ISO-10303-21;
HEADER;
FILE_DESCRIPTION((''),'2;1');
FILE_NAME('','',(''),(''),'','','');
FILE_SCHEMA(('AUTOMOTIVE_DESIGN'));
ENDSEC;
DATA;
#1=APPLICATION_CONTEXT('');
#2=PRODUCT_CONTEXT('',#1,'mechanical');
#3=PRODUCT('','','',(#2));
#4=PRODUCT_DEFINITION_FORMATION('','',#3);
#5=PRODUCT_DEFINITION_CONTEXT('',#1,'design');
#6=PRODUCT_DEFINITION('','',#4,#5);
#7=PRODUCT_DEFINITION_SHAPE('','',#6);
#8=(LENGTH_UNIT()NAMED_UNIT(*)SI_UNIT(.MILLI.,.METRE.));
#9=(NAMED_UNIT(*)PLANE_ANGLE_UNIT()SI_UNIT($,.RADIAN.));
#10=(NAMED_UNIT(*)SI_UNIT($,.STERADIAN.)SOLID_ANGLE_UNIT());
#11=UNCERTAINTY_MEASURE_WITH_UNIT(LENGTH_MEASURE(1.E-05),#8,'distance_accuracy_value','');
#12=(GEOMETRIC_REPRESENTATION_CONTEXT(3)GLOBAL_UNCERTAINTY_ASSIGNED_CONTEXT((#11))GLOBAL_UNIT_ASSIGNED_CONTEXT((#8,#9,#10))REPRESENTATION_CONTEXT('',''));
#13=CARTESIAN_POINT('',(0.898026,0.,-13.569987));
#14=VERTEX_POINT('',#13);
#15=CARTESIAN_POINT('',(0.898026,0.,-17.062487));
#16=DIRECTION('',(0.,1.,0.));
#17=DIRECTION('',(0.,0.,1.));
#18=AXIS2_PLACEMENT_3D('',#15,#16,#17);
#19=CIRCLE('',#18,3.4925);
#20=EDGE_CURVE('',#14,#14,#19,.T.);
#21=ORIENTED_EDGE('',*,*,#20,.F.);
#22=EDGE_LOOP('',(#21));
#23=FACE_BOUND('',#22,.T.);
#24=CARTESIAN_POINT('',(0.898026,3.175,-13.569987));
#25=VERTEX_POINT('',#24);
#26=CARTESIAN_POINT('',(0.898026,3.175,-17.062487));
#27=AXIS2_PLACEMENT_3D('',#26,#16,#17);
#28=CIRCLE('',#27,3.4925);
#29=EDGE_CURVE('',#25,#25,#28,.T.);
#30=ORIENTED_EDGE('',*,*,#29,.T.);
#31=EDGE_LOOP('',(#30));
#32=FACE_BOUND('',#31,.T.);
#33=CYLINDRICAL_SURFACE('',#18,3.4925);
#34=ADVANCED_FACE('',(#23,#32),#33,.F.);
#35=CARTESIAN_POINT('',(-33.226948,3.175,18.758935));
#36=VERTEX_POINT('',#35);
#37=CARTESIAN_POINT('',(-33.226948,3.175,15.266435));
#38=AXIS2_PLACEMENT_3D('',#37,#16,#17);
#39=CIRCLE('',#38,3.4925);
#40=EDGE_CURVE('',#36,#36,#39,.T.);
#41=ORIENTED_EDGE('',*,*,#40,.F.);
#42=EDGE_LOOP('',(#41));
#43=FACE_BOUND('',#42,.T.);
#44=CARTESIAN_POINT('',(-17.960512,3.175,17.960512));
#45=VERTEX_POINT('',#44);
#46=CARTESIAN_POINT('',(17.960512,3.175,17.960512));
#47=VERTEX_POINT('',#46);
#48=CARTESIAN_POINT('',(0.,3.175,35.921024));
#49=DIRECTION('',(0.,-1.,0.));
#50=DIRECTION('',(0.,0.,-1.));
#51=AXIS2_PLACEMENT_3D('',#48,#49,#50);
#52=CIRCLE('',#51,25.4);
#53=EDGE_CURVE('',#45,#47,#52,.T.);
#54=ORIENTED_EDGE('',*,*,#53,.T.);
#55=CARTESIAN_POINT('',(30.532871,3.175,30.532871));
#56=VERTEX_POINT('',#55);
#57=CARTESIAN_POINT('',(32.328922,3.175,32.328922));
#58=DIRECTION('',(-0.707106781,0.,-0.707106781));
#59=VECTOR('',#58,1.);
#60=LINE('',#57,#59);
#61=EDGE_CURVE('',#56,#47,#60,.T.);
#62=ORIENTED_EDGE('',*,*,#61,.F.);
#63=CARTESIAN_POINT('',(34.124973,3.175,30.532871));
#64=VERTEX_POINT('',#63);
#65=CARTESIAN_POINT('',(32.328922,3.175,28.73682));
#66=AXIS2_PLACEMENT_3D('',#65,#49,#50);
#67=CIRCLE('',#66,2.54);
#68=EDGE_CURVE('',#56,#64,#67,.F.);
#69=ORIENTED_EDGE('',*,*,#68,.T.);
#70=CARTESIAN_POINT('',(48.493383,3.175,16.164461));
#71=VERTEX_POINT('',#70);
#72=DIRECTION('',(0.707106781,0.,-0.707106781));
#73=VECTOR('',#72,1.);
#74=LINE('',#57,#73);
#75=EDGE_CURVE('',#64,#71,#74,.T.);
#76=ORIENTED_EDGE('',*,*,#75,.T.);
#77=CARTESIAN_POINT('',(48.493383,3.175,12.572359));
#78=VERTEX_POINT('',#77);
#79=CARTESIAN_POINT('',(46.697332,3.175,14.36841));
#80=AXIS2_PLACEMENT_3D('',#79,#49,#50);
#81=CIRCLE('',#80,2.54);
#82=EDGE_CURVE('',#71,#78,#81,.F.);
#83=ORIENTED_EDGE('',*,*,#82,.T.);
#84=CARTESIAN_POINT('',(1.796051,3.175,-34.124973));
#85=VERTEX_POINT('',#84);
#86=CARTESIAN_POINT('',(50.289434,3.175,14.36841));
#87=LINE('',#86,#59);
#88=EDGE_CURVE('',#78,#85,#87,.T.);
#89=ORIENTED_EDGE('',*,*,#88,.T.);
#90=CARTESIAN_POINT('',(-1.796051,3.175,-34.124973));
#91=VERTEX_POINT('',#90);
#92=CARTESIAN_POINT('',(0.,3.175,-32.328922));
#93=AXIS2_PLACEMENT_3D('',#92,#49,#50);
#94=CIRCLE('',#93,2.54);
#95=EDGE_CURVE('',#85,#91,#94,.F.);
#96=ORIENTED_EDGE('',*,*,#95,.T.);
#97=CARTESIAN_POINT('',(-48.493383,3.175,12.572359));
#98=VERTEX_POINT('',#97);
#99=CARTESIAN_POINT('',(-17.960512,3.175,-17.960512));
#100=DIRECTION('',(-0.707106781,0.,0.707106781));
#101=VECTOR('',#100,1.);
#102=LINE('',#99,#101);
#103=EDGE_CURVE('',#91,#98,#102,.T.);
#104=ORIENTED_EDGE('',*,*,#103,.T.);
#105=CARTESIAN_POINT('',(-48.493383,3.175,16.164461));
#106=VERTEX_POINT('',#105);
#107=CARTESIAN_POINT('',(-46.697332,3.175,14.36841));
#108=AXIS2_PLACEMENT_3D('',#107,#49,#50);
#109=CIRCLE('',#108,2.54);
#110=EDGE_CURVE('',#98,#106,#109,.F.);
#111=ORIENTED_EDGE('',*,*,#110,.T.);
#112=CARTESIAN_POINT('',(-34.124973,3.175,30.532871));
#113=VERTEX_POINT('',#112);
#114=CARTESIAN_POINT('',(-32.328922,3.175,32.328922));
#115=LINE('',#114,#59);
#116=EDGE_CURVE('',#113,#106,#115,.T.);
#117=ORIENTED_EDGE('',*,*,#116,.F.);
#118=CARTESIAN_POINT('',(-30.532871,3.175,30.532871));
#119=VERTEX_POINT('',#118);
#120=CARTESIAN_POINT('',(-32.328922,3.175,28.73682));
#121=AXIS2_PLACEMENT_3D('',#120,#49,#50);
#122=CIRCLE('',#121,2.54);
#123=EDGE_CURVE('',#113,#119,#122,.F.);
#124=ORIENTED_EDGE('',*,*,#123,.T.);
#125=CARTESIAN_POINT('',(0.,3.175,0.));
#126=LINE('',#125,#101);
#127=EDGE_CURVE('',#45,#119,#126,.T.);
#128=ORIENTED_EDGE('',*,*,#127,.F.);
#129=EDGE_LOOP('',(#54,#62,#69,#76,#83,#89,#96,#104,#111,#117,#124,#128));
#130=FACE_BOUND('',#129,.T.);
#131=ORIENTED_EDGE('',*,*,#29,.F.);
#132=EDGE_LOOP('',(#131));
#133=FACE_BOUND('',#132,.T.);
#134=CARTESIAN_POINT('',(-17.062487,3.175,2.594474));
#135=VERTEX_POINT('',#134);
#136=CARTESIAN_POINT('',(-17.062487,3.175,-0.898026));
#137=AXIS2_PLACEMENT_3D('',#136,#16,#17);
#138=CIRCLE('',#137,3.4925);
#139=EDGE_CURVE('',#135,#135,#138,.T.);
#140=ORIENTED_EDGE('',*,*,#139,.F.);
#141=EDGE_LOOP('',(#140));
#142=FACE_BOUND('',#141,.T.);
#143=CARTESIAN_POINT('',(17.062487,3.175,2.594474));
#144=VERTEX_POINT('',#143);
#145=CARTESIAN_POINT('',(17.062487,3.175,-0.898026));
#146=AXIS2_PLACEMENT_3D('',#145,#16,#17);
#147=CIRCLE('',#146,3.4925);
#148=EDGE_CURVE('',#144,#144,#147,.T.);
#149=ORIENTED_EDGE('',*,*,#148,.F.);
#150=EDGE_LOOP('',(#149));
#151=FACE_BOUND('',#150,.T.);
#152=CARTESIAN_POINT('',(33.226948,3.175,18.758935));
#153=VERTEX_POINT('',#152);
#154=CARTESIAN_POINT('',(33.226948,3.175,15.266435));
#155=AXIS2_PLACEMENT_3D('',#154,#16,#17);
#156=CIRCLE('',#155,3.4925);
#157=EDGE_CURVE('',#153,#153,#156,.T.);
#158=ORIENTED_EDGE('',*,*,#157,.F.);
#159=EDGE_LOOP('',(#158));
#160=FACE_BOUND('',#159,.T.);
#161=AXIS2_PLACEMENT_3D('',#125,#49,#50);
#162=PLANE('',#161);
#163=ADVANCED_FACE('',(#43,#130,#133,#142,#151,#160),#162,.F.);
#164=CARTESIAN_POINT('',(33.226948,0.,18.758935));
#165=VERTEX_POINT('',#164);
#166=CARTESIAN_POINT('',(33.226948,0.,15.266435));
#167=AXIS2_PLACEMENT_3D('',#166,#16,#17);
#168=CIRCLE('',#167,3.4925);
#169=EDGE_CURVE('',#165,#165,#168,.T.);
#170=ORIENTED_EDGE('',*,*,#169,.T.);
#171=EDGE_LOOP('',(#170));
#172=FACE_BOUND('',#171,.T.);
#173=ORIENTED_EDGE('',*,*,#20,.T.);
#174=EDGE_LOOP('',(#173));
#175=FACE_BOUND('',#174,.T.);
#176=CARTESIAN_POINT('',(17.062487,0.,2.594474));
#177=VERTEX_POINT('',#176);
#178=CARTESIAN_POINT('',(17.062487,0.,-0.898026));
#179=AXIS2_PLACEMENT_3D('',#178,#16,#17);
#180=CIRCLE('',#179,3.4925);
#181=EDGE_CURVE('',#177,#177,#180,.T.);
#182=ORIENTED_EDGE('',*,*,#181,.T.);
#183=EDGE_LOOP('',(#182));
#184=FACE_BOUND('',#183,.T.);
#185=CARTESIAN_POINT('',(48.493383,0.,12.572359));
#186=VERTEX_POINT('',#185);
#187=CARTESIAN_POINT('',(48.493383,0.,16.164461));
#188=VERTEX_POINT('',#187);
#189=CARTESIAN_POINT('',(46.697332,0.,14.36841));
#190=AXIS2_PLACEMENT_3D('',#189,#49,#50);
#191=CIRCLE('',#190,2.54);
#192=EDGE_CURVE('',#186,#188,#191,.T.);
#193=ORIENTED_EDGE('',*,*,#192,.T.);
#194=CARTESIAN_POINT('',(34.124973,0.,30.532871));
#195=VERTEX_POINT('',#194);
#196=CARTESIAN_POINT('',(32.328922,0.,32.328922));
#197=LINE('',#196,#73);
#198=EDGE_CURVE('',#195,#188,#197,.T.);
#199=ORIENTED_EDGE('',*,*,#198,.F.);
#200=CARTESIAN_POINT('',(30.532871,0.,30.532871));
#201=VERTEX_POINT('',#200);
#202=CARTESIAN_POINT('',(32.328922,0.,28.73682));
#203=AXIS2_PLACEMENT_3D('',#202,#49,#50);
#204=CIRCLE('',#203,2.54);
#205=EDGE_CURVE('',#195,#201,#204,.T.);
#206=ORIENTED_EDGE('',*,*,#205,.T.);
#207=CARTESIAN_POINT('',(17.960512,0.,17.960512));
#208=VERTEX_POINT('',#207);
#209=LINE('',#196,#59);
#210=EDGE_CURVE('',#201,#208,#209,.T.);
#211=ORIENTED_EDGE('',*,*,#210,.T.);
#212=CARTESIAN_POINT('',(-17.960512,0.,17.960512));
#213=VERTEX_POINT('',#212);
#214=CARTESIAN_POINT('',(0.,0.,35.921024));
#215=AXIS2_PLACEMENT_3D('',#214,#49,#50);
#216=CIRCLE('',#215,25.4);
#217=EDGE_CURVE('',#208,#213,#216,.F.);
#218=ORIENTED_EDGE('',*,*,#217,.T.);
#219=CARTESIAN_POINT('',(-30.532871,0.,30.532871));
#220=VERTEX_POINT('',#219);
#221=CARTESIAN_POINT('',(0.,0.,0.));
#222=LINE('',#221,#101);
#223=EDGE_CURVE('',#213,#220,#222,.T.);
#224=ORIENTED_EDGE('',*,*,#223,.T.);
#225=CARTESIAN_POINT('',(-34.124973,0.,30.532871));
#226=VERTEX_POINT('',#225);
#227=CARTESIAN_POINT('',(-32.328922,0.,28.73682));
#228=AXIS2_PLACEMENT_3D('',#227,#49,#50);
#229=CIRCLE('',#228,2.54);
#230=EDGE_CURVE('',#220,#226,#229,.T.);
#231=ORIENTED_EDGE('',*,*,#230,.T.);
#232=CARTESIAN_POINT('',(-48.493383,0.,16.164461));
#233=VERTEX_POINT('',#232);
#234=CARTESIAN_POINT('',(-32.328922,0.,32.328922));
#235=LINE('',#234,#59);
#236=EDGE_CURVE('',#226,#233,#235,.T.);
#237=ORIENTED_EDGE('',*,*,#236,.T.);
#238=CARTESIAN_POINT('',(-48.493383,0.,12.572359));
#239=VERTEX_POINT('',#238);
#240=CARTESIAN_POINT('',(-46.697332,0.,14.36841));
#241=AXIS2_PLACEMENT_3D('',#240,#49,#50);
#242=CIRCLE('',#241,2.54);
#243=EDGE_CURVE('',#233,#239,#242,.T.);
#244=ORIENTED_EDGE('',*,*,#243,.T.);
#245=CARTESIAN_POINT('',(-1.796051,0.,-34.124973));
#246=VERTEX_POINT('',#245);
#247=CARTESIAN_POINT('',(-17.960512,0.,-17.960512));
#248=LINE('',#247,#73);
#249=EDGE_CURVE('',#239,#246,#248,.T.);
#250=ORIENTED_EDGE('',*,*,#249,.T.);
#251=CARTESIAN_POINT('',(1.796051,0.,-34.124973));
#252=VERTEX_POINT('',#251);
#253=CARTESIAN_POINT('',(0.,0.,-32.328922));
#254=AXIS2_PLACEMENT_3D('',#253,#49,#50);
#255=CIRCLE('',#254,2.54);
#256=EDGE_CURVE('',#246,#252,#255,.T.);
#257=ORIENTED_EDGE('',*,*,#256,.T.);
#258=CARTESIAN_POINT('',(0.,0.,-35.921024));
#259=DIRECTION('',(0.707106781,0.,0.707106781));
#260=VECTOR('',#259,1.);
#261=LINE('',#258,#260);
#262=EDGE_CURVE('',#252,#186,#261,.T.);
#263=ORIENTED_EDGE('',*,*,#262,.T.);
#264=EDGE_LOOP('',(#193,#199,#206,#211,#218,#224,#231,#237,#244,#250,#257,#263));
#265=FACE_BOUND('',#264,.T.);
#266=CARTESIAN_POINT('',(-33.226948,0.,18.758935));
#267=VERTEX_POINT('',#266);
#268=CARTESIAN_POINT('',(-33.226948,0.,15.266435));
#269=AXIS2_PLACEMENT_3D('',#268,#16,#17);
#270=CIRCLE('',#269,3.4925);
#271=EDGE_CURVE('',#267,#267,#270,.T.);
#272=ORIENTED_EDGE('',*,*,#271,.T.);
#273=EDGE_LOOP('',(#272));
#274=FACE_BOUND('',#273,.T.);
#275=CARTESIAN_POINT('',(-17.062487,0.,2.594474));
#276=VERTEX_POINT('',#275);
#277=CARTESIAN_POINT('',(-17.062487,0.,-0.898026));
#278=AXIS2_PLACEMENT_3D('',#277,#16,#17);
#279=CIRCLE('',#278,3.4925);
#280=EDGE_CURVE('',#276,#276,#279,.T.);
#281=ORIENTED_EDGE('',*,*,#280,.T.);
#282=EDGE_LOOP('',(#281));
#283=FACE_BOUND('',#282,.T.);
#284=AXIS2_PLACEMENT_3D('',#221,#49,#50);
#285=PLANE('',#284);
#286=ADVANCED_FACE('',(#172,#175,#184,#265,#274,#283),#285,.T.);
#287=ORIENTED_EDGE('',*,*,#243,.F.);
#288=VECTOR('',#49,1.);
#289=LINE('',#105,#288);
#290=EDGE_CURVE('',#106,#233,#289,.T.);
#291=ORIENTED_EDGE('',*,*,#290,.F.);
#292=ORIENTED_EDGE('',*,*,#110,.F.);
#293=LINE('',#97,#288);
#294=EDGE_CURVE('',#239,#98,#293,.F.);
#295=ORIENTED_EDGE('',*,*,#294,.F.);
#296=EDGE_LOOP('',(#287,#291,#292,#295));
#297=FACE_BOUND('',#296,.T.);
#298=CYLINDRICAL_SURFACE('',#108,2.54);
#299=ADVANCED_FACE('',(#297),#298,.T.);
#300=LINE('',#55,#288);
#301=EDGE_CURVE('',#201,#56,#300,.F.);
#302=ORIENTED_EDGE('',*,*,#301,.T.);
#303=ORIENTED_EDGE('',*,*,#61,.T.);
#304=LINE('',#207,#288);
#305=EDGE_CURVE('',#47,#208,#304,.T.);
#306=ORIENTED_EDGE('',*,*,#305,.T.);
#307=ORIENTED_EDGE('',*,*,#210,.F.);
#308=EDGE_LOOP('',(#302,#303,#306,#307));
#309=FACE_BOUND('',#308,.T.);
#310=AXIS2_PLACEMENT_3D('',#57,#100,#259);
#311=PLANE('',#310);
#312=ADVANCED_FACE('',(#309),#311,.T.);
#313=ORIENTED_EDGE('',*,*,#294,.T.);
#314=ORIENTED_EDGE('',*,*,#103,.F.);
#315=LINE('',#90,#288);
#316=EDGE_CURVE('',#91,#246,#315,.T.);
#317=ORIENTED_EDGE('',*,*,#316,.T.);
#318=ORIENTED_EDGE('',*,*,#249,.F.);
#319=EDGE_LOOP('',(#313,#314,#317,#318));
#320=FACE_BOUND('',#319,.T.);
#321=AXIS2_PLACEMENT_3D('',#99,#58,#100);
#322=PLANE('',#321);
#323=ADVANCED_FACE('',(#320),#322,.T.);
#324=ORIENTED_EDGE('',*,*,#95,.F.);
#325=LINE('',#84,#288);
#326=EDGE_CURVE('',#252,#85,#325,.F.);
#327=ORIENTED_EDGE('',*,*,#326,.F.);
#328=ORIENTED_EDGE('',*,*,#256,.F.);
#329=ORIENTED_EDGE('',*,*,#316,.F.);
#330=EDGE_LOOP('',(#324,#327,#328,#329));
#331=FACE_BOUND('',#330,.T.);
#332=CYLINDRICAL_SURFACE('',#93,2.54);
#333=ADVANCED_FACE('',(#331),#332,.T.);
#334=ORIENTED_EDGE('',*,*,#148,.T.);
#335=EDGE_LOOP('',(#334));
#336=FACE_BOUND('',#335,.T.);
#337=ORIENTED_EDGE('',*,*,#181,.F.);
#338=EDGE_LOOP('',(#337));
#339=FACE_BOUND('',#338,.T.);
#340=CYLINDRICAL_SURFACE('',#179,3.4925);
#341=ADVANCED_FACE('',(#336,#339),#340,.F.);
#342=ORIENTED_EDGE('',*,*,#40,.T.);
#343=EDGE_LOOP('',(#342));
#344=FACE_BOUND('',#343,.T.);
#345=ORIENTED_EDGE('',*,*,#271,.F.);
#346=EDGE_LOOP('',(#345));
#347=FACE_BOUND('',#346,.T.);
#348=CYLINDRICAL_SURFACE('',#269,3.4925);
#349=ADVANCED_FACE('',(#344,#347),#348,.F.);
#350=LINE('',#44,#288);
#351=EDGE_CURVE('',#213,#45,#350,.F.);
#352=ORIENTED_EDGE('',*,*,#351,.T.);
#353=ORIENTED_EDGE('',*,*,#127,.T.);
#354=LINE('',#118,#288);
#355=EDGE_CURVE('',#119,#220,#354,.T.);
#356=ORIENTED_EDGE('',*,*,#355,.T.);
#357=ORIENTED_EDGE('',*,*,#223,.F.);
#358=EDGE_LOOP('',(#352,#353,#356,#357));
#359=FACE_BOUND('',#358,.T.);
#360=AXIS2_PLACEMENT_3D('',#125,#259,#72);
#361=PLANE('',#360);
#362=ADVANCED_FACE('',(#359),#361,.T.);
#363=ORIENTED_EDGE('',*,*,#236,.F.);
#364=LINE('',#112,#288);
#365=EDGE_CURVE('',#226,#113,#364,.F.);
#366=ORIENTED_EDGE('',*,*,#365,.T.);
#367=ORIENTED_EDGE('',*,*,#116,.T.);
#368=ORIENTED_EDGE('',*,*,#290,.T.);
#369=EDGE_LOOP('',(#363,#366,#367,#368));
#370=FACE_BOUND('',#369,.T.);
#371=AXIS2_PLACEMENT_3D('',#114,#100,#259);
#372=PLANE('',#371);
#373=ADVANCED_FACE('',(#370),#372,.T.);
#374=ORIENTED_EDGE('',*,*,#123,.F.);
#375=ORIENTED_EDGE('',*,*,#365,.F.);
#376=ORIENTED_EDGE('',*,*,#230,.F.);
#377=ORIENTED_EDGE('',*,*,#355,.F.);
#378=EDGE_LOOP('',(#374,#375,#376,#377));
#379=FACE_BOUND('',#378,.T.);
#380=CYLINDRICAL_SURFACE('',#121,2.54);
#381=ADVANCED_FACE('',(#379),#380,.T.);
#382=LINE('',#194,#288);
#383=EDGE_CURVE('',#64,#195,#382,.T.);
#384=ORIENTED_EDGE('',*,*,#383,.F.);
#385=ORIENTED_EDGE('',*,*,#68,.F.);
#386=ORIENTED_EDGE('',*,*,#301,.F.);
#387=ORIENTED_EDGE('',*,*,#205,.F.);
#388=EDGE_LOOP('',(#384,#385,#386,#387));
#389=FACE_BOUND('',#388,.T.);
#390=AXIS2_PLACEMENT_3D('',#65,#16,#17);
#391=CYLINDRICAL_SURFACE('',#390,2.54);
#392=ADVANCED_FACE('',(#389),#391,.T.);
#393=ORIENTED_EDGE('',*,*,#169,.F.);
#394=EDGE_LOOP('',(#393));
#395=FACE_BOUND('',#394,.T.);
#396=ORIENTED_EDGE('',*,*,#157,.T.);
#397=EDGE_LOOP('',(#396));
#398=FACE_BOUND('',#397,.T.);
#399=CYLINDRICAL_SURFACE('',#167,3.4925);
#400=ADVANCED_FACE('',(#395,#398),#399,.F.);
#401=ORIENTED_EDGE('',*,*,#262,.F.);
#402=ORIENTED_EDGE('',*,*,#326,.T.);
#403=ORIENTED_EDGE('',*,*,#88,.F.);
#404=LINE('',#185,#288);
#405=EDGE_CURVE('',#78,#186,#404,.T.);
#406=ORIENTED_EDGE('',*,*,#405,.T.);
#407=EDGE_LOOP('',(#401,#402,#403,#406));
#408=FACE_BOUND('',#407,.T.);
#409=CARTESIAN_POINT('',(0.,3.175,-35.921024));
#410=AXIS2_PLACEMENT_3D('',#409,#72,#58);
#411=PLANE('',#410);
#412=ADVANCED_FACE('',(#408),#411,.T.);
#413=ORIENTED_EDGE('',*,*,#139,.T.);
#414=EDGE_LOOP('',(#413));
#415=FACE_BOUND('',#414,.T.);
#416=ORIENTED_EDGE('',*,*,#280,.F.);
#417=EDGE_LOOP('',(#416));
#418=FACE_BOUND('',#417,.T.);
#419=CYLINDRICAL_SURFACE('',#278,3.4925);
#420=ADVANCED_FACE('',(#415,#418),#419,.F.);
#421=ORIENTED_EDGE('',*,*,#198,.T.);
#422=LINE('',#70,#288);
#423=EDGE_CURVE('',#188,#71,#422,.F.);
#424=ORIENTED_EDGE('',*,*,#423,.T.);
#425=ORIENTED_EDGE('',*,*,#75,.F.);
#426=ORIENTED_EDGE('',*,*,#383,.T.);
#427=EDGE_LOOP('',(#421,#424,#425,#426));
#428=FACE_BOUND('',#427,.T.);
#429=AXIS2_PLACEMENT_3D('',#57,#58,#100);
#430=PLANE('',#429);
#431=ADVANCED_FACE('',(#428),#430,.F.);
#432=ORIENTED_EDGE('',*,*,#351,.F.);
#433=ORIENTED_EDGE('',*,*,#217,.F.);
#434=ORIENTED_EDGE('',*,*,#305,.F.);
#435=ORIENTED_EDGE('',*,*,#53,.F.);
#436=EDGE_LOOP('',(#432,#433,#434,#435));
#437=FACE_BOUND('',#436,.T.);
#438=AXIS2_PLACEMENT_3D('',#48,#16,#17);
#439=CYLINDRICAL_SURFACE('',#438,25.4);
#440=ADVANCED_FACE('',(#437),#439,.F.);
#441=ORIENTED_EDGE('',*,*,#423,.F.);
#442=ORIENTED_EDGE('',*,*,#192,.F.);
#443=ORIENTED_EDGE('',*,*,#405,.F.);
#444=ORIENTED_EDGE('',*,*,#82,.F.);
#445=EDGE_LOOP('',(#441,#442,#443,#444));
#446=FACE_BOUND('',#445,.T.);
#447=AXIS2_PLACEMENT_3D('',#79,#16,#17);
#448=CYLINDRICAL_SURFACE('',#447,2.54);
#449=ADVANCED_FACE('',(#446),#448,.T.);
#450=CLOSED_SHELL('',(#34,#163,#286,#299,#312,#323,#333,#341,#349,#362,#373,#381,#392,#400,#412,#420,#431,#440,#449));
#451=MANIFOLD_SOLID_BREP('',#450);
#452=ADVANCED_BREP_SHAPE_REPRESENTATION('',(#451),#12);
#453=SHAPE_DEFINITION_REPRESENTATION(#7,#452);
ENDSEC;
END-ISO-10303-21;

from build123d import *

# Parameters (mm, degrees)
BOSS_EXTRUDE1_DEPTH = 3.175
SKETCH2_R           = 3.4925
CUT_EXTRUDE2_DEPTH  = 3.175
LPATTERN5_COUNT     = 2
LPATTERN5_PITCH     = 22.86
SKETCH7_R           = 3.4925
CUT_EXTRUDE3_DEPTH  = 3.175
LPATTERN6_COUNT     = 3
LPATTERN6_PITCH     = 22.86
FILLET1_R           = 2.54
FILLET2_R           = 25.4


with BuildPart() as part:
    # Sketch1 → Boss-Extrude1 (new body)
    with BuildSketch(Plane(origin=(0, 0, 0), x_dir=(1, 0, 0), z_dir=(0, 1, 0))):
        Polygon((-17.960512242, 17.960512242), (0, 35.921024484), (17.960512242, 17.960512242), (50.289434278, -14.368409794), (32.328922036, -32.328922036), (0, 0), (-32.328922036, -32.328922036), (-50.289434278, -14.368409794), align=None)
    extrude(amount=BOSS_EXTRUDE1_DEPTH)

    # Sketch2 → Cut-Extrude2 (cut)
    with BuildSketch(Plane(origin=(0, 3.175, 0), x_dir=(1, 0, 0), z_dir=(0, 1, 0))):
        with Locations(Location((-33.226947648, -15.266435406, 0), (0, 0, 270))):
            Circle(SKETCH2_R)
    cut_extrude2 = extrude(amount=-CUT_EXTRUDE2_DEPTH, mode=Mode.SUBTRACT)

    # LPattern5: Cut-Extrude2 ×2
    with Locations(*[Vector(0.7071067811865465, 0, -0.7071067811865487) * (i * LPATTERN5_PITCH) for i in range(1, LPATTERN5_COUNT)]):
        add(cut_extrude2, mode=Mode.SUBTRACT)

    # Sketch7 → Cut-Extrude3 (cut)
    with BuildSketch(Plane(origin=(0, 3.175, 0), x_dir=(1, 0, 0), z_dir=(0, 1, 0))):
        with Locations(Location((33.226947648, -15.266435406, 0), (0, 0, 270))):
            Circle(SKETCH7_R)
    cut_extrude3 = extrude(amount=-CUT_EXTRUDE3_DEPTH, mode=Mode.SUBTRACT)

    # LPattern6: Cut-Extrude3 ×3
    with Locations(*[Vector(-0.7071067811865456, 0, -0.7071067811865496) * (i * LPATTERN6_PITCH) for i in range(1, LPATTERN6_COUNT)]):
        add(cut_extrude3, mode=Mode.SUBTRACT)

    # Fillet1
    fillet1_edges = [part.edges().sort_by_distance(p)[0] for p in [
        (0, 1.5875, -35.921024484),
        (50.289434278, 1.5875, 14.368409794),
        (32.328922036, 1.5875, 32.328922036),
        (-32.328922036, 1.5875, 32.328922036),
        (-50.289434278, 1.5875, 14.368409794),
    ]]
    fillet(fillet1_edges, radius=FILLET1_R)

    # Fillet2
    fillet2_edges = [part.edges().sort_by_distance(p)[0] for p in [
        (0, 1.5875, 0),
    ]]
    fillet(fillet2_edges, radius=FILLET2_R)


solid = part.part
